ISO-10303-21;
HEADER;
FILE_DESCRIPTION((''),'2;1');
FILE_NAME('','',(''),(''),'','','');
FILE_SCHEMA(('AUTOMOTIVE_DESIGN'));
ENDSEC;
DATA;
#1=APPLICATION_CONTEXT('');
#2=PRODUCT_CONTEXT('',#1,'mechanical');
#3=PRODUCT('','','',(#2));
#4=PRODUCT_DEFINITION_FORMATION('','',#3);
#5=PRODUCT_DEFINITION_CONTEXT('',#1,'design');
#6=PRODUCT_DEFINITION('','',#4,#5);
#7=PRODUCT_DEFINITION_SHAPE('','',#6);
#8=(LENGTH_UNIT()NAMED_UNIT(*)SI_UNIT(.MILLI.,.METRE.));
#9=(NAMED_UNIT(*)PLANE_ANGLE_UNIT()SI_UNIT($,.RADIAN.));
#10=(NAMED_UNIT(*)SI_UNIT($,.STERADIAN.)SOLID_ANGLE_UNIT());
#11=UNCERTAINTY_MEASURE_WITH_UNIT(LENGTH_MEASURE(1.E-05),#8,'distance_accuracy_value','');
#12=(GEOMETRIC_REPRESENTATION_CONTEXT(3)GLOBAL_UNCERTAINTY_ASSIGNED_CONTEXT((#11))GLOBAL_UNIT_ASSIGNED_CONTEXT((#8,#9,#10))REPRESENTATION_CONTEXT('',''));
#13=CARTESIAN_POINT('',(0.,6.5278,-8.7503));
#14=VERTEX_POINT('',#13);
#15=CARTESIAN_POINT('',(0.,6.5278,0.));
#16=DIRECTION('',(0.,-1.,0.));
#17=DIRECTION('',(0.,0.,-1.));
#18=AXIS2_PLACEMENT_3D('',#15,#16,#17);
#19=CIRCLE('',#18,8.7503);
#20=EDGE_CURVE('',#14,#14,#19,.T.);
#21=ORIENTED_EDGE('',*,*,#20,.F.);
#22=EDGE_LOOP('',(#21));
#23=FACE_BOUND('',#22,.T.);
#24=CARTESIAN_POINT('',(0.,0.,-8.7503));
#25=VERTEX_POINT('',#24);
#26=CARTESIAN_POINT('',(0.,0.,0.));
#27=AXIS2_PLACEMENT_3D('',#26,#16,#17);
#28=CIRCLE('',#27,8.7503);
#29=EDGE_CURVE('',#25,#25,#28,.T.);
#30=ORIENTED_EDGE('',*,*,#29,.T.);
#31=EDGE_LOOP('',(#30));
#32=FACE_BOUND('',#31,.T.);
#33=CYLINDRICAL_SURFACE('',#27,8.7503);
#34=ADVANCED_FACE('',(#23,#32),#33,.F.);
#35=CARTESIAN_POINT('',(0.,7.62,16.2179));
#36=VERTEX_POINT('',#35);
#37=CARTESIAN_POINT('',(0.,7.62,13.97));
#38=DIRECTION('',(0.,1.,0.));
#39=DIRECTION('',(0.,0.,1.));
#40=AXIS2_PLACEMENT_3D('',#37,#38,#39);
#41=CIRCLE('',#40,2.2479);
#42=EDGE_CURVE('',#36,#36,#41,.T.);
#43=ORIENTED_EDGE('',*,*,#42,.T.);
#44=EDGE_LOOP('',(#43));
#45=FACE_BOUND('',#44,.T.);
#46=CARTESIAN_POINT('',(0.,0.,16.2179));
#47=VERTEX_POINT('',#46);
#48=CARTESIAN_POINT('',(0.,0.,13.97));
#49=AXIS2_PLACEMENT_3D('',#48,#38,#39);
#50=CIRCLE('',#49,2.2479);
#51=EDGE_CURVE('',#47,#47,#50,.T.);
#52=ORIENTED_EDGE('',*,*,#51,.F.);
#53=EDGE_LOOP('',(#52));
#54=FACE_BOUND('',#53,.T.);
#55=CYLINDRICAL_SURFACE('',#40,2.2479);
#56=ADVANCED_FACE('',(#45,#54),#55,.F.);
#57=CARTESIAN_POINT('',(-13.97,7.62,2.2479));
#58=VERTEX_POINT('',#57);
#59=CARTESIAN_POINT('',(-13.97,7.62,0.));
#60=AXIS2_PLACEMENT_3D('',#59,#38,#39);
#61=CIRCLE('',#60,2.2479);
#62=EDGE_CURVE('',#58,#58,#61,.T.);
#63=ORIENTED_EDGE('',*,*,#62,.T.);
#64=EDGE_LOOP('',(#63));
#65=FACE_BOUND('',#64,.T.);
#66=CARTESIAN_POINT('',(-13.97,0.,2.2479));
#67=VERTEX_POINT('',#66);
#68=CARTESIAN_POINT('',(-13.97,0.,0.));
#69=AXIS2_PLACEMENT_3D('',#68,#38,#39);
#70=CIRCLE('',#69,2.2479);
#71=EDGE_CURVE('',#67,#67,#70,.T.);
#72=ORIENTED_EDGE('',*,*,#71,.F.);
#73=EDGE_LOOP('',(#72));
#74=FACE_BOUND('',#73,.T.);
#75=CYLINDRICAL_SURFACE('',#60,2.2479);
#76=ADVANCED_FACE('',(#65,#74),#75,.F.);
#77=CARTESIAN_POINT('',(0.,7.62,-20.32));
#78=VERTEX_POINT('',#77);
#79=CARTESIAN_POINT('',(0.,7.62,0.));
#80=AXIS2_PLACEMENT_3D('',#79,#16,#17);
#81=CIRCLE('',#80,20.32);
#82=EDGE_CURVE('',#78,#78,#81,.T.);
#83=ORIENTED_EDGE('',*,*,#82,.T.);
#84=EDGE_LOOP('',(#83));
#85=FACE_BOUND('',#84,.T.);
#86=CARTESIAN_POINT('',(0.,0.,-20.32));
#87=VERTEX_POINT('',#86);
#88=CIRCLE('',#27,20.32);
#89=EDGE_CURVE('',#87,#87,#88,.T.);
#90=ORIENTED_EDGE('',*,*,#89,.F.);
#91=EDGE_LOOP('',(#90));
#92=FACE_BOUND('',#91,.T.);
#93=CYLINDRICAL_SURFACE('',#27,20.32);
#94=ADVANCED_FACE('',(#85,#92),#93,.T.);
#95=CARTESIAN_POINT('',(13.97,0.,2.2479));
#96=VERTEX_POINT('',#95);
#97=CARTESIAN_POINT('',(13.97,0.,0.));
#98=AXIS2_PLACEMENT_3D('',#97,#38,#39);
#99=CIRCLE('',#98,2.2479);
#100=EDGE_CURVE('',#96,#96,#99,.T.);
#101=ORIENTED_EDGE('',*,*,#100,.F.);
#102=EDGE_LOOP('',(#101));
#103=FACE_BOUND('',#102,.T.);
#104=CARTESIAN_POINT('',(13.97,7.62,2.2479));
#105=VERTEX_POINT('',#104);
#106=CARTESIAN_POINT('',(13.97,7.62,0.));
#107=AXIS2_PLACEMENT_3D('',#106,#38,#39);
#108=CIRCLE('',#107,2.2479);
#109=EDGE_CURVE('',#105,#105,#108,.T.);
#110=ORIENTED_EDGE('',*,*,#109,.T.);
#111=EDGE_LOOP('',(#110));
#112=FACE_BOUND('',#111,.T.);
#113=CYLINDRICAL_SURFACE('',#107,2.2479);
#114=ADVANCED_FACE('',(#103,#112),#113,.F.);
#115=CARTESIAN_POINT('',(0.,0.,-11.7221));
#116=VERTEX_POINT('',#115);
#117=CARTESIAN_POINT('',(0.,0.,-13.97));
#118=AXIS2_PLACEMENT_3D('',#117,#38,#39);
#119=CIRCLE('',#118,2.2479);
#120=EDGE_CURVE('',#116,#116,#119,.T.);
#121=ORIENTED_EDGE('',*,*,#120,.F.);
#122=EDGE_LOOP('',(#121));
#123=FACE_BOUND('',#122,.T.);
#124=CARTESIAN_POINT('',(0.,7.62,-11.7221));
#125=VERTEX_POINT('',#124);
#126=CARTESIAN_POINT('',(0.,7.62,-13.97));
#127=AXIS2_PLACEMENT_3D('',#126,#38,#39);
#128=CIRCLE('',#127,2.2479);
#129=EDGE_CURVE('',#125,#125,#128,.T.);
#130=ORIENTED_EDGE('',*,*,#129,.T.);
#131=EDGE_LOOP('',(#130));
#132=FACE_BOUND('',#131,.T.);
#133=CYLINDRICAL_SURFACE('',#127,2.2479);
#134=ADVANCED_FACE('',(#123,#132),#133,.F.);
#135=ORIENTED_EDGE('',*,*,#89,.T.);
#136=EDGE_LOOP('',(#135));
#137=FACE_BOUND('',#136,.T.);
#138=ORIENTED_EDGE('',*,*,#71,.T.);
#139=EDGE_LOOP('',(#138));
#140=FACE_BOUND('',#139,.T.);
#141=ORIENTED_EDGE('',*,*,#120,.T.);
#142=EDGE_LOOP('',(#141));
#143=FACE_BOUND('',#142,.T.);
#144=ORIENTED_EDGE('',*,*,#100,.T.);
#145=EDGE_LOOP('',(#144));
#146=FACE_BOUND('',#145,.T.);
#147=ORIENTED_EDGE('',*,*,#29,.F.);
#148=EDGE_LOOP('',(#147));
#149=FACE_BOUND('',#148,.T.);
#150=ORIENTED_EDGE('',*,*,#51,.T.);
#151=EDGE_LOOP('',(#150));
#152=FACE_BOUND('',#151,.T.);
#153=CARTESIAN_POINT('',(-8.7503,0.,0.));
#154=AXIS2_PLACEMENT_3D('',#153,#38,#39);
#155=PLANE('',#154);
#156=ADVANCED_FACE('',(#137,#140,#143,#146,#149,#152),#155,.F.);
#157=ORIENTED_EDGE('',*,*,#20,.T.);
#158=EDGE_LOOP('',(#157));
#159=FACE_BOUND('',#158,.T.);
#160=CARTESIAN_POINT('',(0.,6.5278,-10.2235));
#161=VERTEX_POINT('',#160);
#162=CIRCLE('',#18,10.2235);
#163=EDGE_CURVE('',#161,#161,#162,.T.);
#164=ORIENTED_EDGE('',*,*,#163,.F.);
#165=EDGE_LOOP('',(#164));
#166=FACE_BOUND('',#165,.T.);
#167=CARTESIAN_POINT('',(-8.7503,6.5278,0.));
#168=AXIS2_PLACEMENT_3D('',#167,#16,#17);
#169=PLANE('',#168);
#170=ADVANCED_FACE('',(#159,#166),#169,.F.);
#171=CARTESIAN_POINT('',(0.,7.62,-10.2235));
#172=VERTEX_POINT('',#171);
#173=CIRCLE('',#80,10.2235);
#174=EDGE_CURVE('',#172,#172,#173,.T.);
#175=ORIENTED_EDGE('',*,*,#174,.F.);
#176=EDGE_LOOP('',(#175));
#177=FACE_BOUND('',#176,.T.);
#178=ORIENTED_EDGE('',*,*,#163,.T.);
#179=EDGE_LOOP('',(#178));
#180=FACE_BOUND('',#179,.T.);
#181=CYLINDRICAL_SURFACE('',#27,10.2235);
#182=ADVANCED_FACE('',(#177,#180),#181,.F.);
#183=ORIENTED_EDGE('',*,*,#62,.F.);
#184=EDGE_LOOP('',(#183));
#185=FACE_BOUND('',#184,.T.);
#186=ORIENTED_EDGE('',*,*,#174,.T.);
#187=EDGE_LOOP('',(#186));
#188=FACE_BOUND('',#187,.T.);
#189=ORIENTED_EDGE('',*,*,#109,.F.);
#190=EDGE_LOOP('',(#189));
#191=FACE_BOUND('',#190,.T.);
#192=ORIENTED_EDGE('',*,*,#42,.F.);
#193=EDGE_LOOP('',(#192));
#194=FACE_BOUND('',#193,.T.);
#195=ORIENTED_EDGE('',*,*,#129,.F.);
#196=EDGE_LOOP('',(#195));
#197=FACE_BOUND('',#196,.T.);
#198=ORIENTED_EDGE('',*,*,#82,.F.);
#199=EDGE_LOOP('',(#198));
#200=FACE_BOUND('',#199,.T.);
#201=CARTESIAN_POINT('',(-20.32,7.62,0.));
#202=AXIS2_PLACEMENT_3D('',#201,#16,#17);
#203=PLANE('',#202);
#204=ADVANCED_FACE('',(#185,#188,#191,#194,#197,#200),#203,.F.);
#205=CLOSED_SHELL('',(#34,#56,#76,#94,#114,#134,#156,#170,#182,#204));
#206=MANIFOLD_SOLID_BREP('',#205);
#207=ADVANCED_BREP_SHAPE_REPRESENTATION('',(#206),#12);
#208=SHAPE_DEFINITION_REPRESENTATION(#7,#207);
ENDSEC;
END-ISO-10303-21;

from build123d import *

# Parameters (mm, degrees)
F_8_CLEARANCE_HOLE1_D = 4.4958


with BuildPart() as part:
    # Sketch1 → Revolve1 (revolve)
    with BuildSketch(Plane.XY):
        Polygon((-20.32, 7.62), (-20.32, 0), (-8.7503, 0), (-8.7503, 6.5278), (-10.2235, 6.5278), (-10.2235, 7.62), align=None)
    revolve(axis=Axis((0, 0, 0), (0, 1, 0)))

    # #8 Clearance Hole1 (through all)
    with Locations(Plane(origin=(0, 7.62, 0), x_dir=(1, 0, 0), z_dir=(0, 1, 0))):
        with Locations((13.97, 0), (0, 13.97), (-13.97, 0), (0, -13.97)):
            Hole(F_8_CLEARANCE_HOLE1_D / 2)


solid = part.part
